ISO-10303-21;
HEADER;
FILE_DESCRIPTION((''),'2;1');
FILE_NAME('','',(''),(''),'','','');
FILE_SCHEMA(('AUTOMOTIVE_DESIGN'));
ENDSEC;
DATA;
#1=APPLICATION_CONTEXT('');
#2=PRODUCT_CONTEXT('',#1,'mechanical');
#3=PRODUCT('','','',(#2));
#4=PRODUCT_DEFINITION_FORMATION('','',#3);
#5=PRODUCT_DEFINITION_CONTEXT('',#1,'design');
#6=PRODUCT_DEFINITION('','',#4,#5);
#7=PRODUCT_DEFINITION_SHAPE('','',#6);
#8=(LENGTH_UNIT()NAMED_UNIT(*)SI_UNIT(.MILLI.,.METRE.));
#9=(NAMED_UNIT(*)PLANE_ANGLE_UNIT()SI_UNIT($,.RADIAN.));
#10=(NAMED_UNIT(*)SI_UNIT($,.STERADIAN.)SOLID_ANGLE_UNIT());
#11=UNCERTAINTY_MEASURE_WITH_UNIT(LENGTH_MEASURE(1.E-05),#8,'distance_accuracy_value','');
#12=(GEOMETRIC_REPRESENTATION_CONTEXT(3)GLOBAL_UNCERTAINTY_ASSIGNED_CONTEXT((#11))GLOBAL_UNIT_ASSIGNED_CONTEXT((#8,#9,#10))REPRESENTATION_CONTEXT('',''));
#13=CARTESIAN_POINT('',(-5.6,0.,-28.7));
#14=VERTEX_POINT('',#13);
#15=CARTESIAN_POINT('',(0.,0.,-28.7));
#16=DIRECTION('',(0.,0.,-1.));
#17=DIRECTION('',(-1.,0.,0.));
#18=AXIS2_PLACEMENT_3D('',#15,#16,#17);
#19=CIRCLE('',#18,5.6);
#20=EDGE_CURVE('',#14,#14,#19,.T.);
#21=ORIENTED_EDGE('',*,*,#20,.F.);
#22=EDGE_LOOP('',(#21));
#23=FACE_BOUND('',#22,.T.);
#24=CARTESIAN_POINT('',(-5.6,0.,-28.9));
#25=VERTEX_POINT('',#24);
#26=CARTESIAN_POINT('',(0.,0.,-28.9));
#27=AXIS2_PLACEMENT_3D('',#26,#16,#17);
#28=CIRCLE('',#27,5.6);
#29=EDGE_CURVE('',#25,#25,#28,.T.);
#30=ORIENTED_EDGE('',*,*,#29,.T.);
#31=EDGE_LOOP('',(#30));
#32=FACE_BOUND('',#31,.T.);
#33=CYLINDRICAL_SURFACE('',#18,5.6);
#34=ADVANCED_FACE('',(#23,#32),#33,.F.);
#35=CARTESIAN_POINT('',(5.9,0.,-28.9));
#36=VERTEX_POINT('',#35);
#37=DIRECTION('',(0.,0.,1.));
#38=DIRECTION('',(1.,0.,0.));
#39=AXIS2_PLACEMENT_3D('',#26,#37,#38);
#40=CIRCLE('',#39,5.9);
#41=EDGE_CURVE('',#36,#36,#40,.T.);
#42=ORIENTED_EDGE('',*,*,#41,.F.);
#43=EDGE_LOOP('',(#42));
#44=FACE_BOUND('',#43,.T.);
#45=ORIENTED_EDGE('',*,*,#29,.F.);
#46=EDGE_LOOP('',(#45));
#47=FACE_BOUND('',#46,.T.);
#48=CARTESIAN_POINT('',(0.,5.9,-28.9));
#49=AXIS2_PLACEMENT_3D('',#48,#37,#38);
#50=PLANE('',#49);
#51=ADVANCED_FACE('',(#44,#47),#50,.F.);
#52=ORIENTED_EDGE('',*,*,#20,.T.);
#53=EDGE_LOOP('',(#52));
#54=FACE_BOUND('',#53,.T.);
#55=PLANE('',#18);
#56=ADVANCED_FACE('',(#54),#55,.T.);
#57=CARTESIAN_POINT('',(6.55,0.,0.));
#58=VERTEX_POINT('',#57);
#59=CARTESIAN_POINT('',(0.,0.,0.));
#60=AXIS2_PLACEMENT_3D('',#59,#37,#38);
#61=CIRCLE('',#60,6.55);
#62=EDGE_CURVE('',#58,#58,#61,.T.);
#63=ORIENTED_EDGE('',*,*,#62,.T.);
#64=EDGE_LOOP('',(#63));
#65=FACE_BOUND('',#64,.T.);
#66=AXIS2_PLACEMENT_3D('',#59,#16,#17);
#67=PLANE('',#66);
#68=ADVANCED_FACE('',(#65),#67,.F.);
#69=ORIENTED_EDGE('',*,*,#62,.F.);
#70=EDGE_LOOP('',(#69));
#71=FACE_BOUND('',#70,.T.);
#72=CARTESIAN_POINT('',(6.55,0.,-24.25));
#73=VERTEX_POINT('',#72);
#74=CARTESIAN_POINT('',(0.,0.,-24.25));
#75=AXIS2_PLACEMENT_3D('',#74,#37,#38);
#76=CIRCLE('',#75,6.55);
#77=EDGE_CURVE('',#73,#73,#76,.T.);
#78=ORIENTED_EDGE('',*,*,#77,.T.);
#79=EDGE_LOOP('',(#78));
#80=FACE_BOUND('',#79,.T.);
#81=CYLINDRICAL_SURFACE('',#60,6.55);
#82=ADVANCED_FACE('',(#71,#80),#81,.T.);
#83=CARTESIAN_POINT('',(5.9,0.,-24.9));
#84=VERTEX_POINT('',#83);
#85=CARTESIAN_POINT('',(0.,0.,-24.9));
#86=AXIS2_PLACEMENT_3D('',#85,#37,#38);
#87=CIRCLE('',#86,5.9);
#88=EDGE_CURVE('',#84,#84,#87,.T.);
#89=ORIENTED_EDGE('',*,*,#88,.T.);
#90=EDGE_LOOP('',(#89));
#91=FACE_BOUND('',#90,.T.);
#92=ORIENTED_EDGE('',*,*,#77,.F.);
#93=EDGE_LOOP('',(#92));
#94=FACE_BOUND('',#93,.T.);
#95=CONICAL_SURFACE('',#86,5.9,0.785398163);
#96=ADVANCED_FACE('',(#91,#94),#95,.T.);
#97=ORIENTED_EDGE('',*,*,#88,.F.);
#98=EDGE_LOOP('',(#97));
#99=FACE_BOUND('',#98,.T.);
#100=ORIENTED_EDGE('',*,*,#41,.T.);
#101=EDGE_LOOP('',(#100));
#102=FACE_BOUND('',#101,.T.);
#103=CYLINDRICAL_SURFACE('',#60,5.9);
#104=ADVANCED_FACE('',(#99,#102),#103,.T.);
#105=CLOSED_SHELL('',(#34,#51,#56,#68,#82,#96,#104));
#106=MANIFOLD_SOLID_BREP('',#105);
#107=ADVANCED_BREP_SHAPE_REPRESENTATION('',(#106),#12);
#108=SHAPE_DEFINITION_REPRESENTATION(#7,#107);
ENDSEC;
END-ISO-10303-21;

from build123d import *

# Parameters (mm, degrees)
SKETCH2_R          = 5.6
CUT_EXTRUDE1_DEPTH = 0.2


with BuildPart() as part:
    # Sketch1 → Revolve1 (revolve)
    with BuildSketch(Plane(origin=(0, 0, 0), x_dir=(0, 0, -1), z_dir=(1, 0, 0))):
        Polygon((0, 0), (0, 6.55), (24.25, 6.55), (24.9, 5.9), (28.9, 5.9), (28.9, 0), align=None)
    revolve(axis=Axis((0, 0, 0), (0, 0, -1)))

    # Sketch2 → Cut-Extrude1 (cut)
    with BuildSketch(Plane(origin=(0, 0, -28.9), x_dir=(-1, 0, 0), z_dir=(0, 0, -1))):
        Circle(SKETCH2_R)
    extrude(amount=-CUT_EXTRUDE1_DEPTH, mode=Mode.SUBTRACT)


solid = part.part
